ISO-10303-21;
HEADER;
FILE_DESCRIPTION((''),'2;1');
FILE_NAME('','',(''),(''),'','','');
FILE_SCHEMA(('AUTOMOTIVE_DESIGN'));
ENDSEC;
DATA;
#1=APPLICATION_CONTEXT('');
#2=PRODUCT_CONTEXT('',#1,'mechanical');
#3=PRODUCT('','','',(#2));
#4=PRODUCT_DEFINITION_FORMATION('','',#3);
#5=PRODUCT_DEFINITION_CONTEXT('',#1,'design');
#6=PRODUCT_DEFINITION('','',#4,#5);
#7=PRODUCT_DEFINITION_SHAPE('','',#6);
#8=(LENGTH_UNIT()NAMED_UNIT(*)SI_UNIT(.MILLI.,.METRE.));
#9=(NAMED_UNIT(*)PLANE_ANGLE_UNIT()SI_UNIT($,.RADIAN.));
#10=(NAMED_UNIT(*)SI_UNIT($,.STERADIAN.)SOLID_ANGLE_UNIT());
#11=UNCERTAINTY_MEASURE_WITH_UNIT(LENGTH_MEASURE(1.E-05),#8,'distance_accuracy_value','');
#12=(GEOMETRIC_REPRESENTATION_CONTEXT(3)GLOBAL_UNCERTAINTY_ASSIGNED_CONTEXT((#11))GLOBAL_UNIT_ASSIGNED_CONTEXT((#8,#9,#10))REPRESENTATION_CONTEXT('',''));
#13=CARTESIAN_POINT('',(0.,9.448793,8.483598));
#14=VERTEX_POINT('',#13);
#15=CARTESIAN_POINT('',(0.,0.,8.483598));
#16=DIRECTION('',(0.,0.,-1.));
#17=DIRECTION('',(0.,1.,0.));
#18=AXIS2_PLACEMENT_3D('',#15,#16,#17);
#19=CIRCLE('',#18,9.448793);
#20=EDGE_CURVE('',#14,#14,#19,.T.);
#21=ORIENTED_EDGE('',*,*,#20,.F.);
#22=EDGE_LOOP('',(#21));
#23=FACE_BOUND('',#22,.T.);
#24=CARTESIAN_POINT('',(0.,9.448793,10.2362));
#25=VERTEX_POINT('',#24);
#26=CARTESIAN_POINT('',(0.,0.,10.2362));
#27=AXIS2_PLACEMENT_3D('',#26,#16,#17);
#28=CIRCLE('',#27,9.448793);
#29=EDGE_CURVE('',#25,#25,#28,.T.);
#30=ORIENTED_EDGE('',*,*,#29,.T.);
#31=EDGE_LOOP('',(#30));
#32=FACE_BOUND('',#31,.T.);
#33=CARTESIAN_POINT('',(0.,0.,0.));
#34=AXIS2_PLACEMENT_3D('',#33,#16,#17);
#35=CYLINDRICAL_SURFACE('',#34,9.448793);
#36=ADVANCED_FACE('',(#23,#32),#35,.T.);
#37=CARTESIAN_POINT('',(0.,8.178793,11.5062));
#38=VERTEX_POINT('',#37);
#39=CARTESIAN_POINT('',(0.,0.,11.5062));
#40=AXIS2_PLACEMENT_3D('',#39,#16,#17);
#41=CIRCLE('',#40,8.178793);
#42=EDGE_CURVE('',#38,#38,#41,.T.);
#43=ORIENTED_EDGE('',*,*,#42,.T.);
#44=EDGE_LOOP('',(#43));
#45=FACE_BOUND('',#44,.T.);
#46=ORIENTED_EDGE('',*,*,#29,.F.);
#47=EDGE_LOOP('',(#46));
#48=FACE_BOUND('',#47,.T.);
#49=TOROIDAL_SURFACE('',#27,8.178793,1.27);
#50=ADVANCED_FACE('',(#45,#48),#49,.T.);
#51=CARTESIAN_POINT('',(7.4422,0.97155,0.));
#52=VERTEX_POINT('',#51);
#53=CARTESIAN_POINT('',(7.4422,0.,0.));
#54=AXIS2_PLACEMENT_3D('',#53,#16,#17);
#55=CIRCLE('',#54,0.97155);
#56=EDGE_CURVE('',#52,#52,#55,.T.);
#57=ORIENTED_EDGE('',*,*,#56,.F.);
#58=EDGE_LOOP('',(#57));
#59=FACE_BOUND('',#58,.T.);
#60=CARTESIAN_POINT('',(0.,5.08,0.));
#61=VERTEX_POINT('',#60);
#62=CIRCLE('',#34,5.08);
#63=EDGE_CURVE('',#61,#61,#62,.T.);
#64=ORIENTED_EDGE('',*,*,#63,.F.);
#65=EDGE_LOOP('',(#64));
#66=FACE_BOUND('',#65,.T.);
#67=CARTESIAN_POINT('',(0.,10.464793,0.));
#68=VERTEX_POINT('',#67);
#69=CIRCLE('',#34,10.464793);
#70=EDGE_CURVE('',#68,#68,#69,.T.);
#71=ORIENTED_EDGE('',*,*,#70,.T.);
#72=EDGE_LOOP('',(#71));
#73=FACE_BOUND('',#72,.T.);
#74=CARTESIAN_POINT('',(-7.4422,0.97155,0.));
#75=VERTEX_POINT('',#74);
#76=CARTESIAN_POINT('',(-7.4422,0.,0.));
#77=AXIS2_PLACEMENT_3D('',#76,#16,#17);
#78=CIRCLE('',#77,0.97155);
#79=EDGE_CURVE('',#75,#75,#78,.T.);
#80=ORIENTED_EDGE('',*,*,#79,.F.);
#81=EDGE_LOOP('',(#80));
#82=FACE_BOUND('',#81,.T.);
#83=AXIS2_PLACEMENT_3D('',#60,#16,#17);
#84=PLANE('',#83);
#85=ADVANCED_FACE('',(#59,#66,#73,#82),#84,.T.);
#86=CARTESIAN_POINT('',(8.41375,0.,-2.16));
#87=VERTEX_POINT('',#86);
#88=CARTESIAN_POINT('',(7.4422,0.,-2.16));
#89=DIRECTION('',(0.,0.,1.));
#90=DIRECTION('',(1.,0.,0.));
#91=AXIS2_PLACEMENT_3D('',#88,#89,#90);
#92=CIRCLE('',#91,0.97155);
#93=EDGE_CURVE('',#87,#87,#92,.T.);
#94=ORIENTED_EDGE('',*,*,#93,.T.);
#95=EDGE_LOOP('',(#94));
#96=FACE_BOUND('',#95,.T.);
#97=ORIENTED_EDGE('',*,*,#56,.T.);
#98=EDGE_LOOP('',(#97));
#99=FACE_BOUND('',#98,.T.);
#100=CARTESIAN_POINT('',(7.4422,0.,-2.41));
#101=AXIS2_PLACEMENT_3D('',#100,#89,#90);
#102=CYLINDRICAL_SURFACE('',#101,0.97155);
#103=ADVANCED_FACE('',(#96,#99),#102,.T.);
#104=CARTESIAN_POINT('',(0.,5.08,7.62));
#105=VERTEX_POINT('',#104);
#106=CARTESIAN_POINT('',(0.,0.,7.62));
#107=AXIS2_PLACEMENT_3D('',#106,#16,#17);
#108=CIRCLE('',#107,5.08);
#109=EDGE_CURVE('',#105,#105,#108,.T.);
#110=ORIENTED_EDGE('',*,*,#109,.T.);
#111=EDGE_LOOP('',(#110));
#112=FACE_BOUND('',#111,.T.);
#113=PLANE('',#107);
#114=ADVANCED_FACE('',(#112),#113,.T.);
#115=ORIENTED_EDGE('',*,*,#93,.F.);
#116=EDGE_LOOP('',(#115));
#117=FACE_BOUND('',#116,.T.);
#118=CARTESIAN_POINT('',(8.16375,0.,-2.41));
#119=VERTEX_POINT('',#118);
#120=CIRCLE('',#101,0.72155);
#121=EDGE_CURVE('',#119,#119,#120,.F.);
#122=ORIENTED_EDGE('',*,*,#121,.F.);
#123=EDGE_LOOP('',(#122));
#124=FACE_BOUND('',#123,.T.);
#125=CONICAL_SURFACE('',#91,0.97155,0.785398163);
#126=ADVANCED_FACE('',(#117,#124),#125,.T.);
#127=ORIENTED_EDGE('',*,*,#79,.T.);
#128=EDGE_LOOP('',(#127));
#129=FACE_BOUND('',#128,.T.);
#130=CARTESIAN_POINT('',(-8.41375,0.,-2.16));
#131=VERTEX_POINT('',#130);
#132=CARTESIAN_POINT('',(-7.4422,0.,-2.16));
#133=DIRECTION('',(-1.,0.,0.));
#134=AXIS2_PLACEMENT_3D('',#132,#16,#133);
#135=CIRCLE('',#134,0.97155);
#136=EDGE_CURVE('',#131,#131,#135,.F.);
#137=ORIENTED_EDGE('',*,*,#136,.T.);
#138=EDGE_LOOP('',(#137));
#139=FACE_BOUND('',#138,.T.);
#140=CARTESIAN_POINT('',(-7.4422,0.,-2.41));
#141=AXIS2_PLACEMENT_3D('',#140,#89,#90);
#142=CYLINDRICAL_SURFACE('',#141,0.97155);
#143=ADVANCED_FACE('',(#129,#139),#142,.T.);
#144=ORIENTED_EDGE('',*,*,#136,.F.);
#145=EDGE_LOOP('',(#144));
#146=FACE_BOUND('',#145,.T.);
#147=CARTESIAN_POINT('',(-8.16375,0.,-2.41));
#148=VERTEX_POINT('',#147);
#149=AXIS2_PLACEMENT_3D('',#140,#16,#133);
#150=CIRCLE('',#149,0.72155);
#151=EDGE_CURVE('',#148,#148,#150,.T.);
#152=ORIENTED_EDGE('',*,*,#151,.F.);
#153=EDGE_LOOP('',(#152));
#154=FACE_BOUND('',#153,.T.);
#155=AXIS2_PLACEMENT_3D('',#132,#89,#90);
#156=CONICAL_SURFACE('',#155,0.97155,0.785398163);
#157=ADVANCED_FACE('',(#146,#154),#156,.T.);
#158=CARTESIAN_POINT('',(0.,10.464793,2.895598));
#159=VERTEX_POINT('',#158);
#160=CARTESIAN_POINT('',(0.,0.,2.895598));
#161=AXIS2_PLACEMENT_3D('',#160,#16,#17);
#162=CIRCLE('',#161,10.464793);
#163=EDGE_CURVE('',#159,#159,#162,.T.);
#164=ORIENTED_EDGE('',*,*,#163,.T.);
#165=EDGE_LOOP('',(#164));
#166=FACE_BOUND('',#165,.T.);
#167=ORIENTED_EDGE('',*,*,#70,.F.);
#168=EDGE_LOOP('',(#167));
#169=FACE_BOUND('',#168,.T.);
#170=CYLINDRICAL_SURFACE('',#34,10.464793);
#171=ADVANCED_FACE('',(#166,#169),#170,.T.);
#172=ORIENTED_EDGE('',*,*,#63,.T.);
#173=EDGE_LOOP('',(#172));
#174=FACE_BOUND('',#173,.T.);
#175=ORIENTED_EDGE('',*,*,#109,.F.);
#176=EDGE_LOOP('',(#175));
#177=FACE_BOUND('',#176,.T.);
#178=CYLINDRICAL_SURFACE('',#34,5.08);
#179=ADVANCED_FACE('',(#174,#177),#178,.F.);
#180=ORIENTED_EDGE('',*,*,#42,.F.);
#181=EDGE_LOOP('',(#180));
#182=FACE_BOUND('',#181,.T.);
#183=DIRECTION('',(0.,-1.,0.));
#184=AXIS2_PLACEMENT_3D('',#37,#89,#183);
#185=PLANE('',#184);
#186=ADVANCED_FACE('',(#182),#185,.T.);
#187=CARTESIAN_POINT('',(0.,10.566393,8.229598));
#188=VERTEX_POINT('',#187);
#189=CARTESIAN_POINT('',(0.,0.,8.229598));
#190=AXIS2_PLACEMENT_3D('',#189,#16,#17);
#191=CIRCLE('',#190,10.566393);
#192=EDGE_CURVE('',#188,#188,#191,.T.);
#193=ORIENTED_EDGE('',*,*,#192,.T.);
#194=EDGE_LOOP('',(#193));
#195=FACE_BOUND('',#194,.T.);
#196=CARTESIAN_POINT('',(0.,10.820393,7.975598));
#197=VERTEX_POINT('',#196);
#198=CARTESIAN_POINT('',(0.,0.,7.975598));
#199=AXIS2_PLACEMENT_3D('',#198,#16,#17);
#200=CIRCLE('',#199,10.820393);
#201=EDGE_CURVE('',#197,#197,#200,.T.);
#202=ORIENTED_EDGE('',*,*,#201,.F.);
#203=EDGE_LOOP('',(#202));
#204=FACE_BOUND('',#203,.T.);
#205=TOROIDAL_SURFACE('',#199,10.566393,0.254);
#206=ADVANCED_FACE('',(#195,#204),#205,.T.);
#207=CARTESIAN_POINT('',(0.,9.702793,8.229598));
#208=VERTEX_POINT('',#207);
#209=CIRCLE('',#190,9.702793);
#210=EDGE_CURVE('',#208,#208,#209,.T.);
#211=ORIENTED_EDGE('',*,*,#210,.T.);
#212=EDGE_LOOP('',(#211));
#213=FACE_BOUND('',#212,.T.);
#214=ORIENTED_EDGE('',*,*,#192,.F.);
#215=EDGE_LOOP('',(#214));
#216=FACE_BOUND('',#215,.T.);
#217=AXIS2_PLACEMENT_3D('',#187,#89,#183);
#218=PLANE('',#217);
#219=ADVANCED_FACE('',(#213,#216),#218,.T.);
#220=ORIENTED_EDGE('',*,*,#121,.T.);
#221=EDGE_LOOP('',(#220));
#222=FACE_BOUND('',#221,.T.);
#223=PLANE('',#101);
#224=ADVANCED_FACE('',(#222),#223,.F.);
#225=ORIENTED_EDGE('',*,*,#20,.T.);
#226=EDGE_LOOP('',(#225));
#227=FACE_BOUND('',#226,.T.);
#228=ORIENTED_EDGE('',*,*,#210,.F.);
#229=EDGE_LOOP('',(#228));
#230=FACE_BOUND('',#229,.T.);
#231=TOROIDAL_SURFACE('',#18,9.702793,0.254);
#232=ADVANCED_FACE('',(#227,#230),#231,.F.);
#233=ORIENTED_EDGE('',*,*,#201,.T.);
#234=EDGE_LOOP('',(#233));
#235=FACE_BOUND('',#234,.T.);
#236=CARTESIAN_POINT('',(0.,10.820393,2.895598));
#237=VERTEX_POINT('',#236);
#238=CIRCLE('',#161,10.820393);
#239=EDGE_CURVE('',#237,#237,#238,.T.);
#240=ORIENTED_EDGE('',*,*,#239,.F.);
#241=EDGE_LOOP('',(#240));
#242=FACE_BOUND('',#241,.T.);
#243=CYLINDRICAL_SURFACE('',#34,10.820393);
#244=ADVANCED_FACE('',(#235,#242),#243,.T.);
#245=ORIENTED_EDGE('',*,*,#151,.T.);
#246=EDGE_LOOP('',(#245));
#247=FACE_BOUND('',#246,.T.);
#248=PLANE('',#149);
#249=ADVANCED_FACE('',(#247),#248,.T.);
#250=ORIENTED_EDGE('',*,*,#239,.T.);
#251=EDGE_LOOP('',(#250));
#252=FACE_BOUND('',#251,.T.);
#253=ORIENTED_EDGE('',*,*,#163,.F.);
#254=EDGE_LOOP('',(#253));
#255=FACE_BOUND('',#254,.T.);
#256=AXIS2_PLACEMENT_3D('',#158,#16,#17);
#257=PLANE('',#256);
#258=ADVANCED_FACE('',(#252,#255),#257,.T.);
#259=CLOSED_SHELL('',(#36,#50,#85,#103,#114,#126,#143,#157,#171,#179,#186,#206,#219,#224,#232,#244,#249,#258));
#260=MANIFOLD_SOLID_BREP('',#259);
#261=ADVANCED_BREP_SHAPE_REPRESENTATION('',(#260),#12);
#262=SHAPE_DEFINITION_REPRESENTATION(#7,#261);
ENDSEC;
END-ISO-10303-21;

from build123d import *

# Parameters (mm, degrees)
SKETCH3_R      = 0.97155
EXTRUDE2_DEPTH = 2.41
CHAMFER1_SIZE  = 0.25


with BuildPart() as part:
    # Sketch2 → Revolve1 (revolve)
    with BuildSketch(Plane(origin=(0, 0, 0), x_dir=(0, 0, -1), z_dir=(1, 0, 0))):
        with BuildLine():
            Line((-7.62, 0), (-11.5062, 0))
            Line((-11.5062, 0), (-11.5062, 8.178792884))
            ThreePointArc((-11.5062, 8.178792884), (-11.134225612, 9.076818496), (-10.2362, 9.448792884))
            Line((-10.2362, 9.448792884), (-8.483598247, 9.448792884))
            ThreePointArc((-8.483598247, 9.448792884), (-8.303993125, 9.523187762), (-8.229598247, 9.702792884))
            Line((-8.229598247, 9.702792884), (-8.229598247, 10.566392884))
            ThreePointArc((-8.229598247, 10.566392884), (-8.15520337, 10.745998007), (-7.975598247, 10.820392884))
            Line((-7.975598247, 10.820392884), (-2.895598247, 10.820392884))
            Line((-2.895598247, 10.820392884), (-2.895598247, 10.464792884))
            Line((-2.895598247, 10.464792884), (0, 10.464792884))
            Line((0, 10.464792884), (0, 5.08))
            Line((0, 5.08), (-7.62, 5.08))
            Line((-7.62, 5.08), (-7.62, 0))
        make_face()
    revolve(axis=Axis((0, 0, 0), (0, 0, 1)))

    # Sketch3 → Extrude2 (add)
    with BuildSketch(Plane.XY):
        with Locations((7.4422, 0)):
            Circle(SKETCH3_R)
        with Locations(Location((-7.4422, 0, 0), (0, 0, 90))):
            Circle(SKETCH3_R)
    extrude(amount=-EXTRUDE2_DEPTH)

    # Chamfer1
    chamfer1_edges = [part.edges().sort_by_distance(p)[0] for p in [
        (6.47065, 0, -2.41),
        (-7.4422, -0.97155, -2.41),
    ]]
    chamfer(chamfer1_edges, length=CHAMFER1_SIZE)


solid = part.part
